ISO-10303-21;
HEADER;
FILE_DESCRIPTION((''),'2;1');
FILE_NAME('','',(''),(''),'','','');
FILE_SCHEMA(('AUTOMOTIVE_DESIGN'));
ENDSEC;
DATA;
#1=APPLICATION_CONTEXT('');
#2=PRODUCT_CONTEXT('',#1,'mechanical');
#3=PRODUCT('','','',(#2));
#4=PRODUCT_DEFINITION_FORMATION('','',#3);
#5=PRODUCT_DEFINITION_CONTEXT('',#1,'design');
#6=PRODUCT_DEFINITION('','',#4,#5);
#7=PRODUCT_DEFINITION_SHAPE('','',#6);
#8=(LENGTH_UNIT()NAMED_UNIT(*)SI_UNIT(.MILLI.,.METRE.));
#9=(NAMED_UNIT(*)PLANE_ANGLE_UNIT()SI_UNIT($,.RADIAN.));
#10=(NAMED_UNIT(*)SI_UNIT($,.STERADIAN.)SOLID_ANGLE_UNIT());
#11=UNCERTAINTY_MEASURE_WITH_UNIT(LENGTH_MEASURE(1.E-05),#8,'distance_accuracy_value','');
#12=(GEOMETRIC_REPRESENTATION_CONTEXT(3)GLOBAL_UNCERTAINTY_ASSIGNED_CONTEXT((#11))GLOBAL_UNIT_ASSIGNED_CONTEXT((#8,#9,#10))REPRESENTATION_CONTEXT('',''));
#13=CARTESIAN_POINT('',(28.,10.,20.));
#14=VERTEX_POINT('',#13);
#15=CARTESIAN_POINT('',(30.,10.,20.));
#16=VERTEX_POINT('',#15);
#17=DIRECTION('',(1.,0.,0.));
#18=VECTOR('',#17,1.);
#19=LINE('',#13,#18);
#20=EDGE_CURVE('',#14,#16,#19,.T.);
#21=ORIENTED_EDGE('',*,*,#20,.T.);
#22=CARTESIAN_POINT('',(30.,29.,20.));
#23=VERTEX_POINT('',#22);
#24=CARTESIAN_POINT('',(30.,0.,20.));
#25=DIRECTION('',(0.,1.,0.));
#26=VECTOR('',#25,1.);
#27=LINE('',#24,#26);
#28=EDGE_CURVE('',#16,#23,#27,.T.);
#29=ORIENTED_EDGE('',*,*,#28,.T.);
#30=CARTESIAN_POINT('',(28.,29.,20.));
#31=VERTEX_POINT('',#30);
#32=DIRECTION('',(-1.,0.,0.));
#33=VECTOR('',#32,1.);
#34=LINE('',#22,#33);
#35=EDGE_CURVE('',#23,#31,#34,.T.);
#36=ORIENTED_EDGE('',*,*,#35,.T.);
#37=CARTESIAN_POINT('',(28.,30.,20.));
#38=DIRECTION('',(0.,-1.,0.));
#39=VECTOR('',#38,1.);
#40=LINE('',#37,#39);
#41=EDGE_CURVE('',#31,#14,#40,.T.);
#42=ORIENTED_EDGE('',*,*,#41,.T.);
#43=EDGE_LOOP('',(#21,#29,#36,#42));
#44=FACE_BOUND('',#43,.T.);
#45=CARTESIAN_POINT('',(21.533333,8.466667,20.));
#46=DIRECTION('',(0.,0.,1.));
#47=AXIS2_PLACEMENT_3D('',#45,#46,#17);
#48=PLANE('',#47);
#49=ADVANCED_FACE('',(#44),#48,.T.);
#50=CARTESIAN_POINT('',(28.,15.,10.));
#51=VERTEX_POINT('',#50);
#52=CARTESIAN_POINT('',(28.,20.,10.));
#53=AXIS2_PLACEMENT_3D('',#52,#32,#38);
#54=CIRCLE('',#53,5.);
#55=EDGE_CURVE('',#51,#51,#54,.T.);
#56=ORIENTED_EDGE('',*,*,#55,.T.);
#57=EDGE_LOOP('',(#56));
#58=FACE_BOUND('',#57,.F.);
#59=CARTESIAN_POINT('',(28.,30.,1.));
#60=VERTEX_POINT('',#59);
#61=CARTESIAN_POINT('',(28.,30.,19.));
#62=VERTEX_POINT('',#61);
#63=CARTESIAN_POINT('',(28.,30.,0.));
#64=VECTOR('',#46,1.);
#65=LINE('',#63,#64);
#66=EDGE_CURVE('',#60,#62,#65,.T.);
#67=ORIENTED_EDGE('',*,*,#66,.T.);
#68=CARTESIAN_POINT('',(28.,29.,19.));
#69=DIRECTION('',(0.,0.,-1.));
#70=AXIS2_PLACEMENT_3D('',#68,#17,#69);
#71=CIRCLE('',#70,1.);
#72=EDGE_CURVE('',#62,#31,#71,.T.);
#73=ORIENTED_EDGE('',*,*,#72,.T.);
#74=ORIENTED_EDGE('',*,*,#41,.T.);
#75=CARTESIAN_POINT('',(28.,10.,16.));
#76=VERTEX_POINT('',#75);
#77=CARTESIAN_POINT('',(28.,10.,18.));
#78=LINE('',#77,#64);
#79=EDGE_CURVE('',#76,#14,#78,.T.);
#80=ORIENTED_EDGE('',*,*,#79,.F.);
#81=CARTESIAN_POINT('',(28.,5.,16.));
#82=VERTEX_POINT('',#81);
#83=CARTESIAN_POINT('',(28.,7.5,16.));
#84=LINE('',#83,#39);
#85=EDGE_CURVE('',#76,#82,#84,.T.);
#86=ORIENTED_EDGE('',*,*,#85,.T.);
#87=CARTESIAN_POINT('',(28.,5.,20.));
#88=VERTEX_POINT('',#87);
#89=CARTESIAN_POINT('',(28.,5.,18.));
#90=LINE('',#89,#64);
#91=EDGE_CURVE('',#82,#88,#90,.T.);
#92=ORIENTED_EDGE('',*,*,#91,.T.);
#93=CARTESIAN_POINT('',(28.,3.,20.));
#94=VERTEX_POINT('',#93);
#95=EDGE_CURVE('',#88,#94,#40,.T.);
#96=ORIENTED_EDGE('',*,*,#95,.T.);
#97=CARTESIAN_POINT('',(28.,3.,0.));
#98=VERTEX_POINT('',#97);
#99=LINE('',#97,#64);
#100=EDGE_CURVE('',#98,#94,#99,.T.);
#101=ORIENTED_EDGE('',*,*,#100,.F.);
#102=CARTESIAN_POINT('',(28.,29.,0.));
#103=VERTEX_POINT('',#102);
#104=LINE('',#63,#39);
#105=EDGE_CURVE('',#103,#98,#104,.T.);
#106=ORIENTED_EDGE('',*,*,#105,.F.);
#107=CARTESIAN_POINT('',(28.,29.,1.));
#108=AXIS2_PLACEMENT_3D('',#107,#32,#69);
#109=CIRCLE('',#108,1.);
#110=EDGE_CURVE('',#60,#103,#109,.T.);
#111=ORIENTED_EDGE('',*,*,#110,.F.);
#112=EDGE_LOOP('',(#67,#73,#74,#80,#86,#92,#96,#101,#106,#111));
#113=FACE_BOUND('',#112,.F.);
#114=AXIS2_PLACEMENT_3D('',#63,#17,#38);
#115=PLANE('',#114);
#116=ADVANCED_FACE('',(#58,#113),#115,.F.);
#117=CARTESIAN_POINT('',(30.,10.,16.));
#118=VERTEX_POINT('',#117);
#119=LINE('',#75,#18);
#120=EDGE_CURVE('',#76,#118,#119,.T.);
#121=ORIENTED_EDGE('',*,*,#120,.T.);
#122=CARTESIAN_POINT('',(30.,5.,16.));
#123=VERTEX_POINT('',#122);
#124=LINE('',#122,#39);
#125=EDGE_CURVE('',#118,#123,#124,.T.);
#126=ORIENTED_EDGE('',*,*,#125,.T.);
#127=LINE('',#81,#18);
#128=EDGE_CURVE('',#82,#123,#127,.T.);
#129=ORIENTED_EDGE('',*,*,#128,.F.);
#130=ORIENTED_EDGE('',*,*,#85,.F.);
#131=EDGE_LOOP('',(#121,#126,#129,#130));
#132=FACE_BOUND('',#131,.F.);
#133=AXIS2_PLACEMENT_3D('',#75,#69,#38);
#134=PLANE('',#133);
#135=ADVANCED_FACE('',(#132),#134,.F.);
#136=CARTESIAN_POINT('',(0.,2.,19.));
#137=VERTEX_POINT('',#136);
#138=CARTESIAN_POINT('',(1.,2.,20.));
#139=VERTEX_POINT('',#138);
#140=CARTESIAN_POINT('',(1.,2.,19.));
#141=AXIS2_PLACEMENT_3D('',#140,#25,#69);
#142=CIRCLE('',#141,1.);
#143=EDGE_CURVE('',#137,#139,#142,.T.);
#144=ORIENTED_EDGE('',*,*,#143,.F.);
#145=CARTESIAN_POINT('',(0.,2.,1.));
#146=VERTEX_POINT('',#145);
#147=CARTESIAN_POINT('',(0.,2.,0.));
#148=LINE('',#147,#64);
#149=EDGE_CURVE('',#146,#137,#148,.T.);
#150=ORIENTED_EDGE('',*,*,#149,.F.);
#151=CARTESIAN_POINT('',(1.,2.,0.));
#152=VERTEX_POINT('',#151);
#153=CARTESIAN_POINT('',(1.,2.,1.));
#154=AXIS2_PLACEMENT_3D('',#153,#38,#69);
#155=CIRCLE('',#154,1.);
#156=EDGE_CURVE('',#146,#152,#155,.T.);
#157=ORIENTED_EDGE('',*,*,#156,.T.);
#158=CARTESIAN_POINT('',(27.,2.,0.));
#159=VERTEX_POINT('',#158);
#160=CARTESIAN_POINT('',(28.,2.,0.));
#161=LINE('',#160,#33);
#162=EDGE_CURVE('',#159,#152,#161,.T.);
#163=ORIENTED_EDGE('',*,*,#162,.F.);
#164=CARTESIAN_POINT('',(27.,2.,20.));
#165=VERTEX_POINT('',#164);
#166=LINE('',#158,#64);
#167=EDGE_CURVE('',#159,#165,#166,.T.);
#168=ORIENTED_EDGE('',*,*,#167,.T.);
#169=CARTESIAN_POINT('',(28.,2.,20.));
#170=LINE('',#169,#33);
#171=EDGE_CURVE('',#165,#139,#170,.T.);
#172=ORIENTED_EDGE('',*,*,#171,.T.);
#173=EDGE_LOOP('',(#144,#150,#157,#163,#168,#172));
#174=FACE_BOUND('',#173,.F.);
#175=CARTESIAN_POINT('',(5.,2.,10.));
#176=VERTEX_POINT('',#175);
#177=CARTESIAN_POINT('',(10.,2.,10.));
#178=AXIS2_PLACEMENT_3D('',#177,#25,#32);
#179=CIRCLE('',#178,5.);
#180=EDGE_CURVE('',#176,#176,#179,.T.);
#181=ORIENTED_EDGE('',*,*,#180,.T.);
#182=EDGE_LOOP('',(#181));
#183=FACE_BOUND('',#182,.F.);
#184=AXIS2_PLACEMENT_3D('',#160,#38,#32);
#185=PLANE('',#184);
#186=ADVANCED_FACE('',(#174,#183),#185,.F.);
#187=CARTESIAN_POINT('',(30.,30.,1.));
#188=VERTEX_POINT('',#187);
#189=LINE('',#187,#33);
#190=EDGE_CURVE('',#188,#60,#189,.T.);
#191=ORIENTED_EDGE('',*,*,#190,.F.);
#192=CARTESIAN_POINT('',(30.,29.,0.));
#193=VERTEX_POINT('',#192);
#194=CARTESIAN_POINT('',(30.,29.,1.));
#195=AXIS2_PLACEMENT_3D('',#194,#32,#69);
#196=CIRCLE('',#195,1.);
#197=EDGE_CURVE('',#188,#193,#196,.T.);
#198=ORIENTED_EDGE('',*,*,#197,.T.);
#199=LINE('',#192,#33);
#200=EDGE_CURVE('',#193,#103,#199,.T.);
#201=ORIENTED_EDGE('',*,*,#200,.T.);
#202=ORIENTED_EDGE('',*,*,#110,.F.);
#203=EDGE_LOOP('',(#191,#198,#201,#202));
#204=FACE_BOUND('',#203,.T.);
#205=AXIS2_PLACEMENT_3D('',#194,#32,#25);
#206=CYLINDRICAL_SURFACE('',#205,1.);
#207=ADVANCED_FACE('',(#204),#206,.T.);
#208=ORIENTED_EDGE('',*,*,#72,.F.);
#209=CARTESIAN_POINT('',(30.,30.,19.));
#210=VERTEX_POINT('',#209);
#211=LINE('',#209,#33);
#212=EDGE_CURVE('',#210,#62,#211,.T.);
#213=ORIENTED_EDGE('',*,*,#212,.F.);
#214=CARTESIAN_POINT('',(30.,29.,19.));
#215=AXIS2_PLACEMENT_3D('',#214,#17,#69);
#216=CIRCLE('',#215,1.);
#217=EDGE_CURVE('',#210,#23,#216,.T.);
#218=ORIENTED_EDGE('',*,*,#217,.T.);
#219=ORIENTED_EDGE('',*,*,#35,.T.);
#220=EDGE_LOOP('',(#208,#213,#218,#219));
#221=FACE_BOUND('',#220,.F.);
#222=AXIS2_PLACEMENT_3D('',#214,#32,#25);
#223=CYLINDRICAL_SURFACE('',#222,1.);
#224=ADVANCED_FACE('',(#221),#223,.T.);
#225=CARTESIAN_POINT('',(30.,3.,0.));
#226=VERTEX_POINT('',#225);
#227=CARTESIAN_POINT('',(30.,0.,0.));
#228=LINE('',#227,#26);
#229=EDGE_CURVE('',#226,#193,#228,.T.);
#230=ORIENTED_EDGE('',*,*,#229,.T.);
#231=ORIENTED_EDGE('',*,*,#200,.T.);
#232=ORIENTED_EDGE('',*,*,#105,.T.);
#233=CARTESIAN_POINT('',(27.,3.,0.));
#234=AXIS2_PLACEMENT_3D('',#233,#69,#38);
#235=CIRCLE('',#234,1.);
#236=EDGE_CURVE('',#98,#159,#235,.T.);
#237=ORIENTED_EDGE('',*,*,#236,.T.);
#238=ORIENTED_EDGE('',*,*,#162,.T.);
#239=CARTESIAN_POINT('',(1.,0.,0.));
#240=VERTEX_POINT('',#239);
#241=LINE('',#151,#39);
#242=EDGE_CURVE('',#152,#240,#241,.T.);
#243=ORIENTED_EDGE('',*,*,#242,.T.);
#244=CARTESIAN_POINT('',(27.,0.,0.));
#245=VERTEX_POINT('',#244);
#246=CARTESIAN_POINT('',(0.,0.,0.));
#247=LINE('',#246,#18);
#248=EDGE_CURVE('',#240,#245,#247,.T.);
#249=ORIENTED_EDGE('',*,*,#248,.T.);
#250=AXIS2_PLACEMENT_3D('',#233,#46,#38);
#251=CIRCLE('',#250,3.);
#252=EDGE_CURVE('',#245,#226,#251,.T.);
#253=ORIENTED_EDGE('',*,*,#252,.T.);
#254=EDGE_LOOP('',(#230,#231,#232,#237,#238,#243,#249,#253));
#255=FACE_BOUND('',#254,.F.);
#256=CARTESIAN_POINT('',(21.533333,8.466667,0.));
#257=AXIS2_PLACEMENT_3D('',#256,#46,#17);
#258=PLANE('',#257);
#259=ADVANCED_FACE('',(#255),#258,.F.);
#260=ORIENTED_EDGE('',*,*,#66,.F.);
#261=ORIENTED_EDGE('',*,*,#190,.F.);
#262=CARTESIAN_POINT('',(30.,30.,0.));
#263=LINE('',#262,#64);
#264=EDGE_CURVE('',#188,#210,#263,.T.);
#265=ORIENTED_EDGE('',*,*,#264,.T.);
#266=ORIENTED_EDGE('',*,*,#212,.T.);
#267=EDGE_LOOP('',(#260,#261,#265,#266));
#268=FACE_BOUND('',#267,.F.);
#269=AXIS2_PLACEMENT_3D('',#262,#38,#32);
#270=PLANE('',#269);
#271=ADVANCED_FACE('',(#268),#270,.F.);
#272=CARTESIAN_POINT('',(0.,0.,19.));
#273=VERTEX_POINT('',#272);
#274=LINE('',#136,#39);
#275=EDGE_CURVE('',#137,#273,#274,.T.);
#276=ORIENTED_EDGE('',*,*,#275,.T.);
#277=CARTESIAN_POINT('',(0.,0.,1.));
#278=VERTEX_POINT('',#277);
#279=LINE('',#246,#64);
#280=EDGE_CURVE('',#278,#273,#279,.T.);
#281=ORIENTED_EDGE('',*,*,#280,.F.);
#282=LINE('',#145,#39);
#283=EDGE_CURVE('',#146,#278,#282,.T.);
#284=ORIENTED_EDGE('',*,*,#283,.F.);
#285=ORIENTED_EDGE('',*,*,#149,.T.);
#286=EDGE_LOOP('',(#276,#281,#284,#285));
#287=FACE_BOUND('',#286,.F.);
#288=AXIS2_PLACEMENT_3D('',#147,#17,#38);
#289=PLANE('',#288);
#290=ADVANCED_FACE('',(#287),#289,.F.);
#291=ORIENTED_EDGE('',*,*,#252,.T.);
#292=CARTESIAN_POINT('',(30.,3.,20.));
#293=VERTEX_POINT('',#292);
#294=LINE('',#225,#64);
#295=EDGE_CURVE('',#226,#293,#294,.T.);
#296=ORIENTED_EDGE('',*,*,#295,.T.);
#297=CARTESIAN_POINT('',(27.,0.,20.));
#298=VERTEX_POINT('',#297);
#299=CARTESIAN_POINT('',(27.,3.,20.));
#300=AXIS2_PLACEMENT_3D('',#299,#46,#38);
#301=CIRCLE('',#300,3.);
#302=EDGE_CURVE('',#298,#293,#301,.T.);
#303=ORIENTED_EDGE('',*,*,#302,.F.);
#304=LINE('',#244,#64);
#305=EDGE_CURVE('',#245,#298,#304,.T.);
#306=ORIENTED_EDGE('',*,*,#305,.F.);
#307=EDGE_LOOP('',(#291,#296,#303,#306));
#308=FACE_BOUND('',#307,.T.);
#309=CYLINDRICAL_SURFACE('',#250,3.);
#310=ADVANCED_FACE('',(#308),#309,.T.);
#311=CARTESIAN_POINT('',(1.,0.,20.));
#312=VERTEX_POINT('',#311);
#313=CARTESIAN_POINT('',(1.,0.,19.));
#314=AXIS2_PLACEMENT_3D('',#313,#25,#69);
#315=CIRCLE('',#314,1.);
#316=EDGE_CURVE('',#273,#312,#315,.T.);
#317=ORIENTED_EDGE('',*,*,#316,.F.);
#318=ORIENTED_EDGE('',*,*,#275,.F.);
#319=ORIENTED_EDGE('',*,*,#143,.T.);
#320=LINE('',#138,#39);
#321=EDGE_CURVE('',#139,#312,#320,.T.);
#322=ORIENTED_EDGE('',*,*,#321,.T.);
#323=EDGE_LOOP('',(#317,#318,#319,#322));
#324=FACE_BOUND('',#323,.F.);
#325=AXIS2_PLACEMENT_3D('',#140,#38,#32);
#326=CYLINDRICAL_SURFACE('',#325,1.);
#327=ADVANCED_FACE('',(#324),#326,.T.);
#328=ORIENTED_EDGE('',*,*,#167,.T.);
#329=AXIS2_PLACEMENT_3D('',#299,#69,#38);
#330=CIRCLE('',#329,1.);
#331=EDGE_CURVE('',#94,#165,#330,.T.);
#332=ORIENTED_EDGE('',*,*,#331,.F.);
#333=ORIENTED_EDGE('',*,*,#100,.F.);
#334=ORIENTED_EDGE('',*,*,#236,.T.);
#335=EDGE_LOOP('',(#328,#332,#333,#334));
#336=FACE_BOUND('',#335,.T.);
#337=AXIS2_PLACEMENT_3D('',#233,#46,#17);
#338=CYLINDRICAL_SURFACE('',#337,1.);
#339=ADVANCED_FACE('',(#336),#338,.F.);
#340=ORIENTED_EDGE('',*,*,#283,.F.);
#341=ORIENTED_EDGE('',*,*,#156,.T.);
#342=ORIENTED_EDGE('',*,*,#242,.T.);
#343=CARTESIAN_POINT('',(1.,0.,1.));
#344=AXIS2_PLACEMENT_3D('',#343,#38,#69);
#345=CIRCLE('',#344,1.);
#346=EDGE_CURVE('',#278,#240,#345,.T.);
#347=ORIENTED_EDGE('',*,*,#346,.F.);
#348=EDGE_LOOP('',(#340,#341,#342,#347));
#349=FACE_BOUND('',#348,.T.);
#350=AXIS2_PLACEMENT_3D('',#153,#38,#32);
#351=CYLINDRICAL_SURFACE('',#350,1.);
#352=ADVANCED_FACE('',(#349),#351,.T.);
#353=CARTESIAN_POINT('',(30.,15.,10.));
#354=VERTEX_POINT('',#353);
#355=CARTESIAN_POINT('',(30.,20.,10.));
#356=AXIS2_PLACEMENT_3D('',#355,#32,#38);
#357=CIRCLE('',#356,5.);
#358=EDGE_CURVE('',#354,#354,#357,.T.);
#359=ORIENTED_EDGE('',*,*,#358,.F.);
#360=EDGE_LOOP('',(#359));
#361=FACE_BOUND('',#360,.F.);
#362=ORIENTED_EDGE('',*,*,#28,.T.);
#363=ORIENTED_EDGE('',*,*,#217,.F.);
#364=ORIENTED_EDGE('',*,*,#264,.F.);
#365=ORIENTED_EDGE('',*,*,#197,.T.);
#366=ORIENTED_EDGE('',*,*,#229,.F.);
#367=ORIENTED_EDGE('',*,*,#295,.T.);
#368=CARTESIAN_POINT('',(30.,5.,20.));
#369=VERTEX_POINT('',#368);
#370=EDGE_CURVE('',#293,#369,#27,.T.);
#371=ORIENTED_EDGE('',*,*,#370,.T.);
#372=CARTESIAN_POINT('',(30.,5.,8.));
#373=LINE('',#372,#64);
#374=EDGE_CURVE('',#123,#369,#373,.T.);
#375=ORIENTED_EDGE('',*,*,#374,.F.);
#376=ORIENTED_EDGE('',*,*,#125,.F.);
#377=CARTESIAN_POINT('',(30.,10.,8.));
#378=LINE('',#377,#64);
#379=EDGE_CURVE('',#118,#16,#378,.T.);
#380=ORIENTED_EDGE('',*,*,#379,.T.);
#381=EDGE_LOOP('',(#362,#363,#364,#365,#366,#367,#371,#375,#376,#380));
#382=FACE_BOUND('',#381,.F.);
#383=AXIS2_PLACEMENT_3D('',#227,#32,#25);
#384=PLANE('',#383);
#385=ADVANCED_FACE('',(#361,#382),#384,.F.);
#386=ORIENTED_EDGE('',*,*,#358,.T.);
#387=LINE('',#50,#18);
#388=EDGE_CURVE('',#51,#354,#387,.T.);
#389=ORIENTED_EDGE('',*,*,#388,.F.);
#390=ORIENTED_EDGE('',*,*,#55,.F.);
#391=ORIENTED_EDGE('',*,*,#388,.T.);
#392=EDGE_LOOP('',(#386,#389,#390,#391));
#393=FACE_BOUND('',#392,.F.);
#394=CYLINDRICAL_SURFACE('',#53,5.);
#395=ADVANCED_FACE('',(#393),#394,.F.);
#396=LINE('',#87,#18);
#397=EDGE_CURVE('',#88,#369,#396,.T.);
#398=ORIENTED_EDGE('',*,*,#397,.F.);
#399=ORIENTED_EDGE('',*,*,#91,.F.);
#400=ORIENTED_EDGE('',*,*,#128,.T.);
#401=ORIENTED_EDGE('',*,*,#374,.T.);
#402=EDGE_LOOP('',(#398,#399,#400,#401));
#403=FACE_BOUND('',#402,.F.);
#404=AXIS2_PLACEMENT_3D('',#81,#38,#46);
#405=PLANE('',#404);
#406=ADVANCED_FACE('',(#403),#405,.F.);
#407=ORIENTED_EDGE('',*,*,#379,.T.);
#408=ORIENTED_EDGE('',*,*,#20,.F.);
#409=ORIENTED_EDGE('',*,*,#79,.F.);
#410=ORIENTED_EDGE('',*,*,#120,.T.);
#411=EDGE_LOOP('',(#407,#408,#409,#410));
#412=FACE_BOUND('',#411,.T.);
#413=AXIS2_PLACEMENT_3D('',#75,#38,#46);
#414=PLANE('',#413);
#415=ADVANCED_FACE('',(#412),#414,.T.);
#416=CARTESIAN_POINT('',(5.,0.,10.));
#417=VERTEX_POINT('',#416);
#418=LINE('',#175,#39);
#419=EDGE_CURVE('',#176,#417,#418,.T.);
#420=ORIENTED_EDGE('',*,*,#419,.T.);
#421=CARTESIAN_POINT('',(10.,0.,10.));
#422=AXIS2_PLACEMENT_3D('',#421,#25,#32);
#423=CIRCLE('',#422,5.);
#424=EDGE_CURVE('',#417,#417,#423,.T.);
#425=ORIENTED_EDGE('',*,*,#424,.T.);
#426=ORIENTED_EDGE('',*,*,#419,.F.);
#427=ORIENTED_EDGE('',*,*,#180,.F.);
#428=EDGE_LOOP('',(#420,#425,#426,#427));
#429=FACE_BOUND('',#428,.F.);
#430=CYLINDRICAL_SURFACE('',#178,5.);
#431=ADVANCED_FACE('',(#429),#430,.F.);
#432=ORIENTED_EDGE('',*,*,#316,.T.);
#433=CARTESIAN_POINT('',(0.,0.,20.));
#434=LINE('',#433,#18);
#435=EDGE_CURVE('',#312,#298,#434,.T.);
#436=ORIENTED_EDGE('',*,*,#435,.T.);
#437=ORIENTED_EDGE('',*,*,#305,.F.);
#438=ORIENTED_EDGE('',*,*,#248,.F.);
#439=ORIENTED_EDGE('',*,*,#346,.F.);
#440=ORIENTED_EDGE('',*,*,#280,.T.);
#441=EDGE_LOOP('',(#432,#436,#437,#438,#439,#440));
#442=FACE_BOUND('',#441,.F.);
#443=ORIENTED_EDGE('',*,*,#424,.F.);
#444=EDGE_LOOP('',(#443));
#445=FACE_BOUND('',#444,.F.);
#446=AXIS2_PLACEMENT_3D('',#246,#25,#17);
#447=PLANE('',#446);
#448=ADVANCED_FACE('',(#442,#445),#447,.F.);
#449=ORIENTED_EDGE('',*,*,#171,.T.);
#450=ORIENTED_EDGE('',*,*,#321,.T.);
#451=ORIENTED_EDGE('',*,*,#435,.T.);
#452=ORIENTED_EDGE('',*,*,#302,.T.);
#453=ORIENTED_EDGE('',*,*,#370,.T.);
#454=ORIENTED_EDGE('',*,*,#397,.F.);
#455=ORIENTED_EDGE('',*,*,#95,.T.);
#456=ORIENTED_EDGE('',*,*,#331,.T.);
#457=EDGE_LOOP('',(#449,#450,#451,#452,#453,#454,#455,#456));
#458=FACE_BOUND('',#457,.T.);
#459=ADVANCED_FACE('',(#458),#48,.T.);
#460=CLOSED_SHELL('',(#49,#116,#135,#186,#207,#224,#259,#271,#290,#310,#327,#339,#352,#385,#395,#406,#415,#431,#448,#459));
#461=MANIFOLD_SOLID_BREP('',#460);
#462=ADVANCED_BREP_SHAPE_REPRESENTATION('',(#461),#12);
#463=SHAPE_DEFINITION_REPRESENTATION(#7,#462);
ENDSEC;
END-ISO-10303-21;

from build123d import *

# Parameters (mm, degrees)
F1_DEPTH = 20
F2_R     = 1
F3_R     = 3
F4_R     = 5
F5_DEPTH = 25
F6_R     = 5
F7_DEPTH = 25
F8_W     = 5
F8_H     = 4
F9_DEPTH = 25


with BuildPart() as f1:
    # F0 (on Top) → F1 (new body)
    with BuildSketch(Plane.XY):
        Polygon((0, 2), (0, 0), (30, 0), (30, 30), (28, 30), (28, 2), align=None)
    extrude(amount=F1_DEPTH)

    # F2
    f2_edges = [f1.edges().sort_by_distance(p)[0] for p in [
        (28, 2, 10),
        (0, 1, 0),
        (0, 1, 20),
        (29, 30, 20),
        (29, 30, 0),
    ]]
    fillet(f2_edges, radius=F2_R)

    # F3
    f3_edges = [f1.edges().sort_by_distance(p)[0] for p in [
        (30, 0, 10),
    ]]
    fillet(f3_edges, radius=F3_R)

    # F4 (on face) → F5 (cut)
    with BuildSketch(Plane(origin=(28, 0, 0), x_dir=(0, -1, 0), z_dir=(-1, 0, 0))):
        with Locations((-20, 10)):
            Circle(F4_R)
    extrude(amount=-F5_DEPTH, mode=Mode.SUBTRACT)

    # F6 (on face) → F7 (cut)
    with BuildSketch(Plane(origin=(0, 2, 0), x_dir=(-1, 0, 0), z_dir=(0, 1, 0))):
        with Locations((-10, 10)):
            Circle(F6_R)
    extrude(amount=-F7_DEPTH, mode=Mode.SUBTRACT)

    # F8 (on face) → F9 (cut)
    with BuildSketch(Plane(origin=(28, 0, 0), x_dir=(0, -1, 0), z_dir=(-1, 0, 0))):
        with Locations((-7.5, 18)):
            Rectangle(F8_W, F8_H)
    extrude(amount=-F9_DEPTH, mode=Mode.SUBTRACT)


solid = f1.part
